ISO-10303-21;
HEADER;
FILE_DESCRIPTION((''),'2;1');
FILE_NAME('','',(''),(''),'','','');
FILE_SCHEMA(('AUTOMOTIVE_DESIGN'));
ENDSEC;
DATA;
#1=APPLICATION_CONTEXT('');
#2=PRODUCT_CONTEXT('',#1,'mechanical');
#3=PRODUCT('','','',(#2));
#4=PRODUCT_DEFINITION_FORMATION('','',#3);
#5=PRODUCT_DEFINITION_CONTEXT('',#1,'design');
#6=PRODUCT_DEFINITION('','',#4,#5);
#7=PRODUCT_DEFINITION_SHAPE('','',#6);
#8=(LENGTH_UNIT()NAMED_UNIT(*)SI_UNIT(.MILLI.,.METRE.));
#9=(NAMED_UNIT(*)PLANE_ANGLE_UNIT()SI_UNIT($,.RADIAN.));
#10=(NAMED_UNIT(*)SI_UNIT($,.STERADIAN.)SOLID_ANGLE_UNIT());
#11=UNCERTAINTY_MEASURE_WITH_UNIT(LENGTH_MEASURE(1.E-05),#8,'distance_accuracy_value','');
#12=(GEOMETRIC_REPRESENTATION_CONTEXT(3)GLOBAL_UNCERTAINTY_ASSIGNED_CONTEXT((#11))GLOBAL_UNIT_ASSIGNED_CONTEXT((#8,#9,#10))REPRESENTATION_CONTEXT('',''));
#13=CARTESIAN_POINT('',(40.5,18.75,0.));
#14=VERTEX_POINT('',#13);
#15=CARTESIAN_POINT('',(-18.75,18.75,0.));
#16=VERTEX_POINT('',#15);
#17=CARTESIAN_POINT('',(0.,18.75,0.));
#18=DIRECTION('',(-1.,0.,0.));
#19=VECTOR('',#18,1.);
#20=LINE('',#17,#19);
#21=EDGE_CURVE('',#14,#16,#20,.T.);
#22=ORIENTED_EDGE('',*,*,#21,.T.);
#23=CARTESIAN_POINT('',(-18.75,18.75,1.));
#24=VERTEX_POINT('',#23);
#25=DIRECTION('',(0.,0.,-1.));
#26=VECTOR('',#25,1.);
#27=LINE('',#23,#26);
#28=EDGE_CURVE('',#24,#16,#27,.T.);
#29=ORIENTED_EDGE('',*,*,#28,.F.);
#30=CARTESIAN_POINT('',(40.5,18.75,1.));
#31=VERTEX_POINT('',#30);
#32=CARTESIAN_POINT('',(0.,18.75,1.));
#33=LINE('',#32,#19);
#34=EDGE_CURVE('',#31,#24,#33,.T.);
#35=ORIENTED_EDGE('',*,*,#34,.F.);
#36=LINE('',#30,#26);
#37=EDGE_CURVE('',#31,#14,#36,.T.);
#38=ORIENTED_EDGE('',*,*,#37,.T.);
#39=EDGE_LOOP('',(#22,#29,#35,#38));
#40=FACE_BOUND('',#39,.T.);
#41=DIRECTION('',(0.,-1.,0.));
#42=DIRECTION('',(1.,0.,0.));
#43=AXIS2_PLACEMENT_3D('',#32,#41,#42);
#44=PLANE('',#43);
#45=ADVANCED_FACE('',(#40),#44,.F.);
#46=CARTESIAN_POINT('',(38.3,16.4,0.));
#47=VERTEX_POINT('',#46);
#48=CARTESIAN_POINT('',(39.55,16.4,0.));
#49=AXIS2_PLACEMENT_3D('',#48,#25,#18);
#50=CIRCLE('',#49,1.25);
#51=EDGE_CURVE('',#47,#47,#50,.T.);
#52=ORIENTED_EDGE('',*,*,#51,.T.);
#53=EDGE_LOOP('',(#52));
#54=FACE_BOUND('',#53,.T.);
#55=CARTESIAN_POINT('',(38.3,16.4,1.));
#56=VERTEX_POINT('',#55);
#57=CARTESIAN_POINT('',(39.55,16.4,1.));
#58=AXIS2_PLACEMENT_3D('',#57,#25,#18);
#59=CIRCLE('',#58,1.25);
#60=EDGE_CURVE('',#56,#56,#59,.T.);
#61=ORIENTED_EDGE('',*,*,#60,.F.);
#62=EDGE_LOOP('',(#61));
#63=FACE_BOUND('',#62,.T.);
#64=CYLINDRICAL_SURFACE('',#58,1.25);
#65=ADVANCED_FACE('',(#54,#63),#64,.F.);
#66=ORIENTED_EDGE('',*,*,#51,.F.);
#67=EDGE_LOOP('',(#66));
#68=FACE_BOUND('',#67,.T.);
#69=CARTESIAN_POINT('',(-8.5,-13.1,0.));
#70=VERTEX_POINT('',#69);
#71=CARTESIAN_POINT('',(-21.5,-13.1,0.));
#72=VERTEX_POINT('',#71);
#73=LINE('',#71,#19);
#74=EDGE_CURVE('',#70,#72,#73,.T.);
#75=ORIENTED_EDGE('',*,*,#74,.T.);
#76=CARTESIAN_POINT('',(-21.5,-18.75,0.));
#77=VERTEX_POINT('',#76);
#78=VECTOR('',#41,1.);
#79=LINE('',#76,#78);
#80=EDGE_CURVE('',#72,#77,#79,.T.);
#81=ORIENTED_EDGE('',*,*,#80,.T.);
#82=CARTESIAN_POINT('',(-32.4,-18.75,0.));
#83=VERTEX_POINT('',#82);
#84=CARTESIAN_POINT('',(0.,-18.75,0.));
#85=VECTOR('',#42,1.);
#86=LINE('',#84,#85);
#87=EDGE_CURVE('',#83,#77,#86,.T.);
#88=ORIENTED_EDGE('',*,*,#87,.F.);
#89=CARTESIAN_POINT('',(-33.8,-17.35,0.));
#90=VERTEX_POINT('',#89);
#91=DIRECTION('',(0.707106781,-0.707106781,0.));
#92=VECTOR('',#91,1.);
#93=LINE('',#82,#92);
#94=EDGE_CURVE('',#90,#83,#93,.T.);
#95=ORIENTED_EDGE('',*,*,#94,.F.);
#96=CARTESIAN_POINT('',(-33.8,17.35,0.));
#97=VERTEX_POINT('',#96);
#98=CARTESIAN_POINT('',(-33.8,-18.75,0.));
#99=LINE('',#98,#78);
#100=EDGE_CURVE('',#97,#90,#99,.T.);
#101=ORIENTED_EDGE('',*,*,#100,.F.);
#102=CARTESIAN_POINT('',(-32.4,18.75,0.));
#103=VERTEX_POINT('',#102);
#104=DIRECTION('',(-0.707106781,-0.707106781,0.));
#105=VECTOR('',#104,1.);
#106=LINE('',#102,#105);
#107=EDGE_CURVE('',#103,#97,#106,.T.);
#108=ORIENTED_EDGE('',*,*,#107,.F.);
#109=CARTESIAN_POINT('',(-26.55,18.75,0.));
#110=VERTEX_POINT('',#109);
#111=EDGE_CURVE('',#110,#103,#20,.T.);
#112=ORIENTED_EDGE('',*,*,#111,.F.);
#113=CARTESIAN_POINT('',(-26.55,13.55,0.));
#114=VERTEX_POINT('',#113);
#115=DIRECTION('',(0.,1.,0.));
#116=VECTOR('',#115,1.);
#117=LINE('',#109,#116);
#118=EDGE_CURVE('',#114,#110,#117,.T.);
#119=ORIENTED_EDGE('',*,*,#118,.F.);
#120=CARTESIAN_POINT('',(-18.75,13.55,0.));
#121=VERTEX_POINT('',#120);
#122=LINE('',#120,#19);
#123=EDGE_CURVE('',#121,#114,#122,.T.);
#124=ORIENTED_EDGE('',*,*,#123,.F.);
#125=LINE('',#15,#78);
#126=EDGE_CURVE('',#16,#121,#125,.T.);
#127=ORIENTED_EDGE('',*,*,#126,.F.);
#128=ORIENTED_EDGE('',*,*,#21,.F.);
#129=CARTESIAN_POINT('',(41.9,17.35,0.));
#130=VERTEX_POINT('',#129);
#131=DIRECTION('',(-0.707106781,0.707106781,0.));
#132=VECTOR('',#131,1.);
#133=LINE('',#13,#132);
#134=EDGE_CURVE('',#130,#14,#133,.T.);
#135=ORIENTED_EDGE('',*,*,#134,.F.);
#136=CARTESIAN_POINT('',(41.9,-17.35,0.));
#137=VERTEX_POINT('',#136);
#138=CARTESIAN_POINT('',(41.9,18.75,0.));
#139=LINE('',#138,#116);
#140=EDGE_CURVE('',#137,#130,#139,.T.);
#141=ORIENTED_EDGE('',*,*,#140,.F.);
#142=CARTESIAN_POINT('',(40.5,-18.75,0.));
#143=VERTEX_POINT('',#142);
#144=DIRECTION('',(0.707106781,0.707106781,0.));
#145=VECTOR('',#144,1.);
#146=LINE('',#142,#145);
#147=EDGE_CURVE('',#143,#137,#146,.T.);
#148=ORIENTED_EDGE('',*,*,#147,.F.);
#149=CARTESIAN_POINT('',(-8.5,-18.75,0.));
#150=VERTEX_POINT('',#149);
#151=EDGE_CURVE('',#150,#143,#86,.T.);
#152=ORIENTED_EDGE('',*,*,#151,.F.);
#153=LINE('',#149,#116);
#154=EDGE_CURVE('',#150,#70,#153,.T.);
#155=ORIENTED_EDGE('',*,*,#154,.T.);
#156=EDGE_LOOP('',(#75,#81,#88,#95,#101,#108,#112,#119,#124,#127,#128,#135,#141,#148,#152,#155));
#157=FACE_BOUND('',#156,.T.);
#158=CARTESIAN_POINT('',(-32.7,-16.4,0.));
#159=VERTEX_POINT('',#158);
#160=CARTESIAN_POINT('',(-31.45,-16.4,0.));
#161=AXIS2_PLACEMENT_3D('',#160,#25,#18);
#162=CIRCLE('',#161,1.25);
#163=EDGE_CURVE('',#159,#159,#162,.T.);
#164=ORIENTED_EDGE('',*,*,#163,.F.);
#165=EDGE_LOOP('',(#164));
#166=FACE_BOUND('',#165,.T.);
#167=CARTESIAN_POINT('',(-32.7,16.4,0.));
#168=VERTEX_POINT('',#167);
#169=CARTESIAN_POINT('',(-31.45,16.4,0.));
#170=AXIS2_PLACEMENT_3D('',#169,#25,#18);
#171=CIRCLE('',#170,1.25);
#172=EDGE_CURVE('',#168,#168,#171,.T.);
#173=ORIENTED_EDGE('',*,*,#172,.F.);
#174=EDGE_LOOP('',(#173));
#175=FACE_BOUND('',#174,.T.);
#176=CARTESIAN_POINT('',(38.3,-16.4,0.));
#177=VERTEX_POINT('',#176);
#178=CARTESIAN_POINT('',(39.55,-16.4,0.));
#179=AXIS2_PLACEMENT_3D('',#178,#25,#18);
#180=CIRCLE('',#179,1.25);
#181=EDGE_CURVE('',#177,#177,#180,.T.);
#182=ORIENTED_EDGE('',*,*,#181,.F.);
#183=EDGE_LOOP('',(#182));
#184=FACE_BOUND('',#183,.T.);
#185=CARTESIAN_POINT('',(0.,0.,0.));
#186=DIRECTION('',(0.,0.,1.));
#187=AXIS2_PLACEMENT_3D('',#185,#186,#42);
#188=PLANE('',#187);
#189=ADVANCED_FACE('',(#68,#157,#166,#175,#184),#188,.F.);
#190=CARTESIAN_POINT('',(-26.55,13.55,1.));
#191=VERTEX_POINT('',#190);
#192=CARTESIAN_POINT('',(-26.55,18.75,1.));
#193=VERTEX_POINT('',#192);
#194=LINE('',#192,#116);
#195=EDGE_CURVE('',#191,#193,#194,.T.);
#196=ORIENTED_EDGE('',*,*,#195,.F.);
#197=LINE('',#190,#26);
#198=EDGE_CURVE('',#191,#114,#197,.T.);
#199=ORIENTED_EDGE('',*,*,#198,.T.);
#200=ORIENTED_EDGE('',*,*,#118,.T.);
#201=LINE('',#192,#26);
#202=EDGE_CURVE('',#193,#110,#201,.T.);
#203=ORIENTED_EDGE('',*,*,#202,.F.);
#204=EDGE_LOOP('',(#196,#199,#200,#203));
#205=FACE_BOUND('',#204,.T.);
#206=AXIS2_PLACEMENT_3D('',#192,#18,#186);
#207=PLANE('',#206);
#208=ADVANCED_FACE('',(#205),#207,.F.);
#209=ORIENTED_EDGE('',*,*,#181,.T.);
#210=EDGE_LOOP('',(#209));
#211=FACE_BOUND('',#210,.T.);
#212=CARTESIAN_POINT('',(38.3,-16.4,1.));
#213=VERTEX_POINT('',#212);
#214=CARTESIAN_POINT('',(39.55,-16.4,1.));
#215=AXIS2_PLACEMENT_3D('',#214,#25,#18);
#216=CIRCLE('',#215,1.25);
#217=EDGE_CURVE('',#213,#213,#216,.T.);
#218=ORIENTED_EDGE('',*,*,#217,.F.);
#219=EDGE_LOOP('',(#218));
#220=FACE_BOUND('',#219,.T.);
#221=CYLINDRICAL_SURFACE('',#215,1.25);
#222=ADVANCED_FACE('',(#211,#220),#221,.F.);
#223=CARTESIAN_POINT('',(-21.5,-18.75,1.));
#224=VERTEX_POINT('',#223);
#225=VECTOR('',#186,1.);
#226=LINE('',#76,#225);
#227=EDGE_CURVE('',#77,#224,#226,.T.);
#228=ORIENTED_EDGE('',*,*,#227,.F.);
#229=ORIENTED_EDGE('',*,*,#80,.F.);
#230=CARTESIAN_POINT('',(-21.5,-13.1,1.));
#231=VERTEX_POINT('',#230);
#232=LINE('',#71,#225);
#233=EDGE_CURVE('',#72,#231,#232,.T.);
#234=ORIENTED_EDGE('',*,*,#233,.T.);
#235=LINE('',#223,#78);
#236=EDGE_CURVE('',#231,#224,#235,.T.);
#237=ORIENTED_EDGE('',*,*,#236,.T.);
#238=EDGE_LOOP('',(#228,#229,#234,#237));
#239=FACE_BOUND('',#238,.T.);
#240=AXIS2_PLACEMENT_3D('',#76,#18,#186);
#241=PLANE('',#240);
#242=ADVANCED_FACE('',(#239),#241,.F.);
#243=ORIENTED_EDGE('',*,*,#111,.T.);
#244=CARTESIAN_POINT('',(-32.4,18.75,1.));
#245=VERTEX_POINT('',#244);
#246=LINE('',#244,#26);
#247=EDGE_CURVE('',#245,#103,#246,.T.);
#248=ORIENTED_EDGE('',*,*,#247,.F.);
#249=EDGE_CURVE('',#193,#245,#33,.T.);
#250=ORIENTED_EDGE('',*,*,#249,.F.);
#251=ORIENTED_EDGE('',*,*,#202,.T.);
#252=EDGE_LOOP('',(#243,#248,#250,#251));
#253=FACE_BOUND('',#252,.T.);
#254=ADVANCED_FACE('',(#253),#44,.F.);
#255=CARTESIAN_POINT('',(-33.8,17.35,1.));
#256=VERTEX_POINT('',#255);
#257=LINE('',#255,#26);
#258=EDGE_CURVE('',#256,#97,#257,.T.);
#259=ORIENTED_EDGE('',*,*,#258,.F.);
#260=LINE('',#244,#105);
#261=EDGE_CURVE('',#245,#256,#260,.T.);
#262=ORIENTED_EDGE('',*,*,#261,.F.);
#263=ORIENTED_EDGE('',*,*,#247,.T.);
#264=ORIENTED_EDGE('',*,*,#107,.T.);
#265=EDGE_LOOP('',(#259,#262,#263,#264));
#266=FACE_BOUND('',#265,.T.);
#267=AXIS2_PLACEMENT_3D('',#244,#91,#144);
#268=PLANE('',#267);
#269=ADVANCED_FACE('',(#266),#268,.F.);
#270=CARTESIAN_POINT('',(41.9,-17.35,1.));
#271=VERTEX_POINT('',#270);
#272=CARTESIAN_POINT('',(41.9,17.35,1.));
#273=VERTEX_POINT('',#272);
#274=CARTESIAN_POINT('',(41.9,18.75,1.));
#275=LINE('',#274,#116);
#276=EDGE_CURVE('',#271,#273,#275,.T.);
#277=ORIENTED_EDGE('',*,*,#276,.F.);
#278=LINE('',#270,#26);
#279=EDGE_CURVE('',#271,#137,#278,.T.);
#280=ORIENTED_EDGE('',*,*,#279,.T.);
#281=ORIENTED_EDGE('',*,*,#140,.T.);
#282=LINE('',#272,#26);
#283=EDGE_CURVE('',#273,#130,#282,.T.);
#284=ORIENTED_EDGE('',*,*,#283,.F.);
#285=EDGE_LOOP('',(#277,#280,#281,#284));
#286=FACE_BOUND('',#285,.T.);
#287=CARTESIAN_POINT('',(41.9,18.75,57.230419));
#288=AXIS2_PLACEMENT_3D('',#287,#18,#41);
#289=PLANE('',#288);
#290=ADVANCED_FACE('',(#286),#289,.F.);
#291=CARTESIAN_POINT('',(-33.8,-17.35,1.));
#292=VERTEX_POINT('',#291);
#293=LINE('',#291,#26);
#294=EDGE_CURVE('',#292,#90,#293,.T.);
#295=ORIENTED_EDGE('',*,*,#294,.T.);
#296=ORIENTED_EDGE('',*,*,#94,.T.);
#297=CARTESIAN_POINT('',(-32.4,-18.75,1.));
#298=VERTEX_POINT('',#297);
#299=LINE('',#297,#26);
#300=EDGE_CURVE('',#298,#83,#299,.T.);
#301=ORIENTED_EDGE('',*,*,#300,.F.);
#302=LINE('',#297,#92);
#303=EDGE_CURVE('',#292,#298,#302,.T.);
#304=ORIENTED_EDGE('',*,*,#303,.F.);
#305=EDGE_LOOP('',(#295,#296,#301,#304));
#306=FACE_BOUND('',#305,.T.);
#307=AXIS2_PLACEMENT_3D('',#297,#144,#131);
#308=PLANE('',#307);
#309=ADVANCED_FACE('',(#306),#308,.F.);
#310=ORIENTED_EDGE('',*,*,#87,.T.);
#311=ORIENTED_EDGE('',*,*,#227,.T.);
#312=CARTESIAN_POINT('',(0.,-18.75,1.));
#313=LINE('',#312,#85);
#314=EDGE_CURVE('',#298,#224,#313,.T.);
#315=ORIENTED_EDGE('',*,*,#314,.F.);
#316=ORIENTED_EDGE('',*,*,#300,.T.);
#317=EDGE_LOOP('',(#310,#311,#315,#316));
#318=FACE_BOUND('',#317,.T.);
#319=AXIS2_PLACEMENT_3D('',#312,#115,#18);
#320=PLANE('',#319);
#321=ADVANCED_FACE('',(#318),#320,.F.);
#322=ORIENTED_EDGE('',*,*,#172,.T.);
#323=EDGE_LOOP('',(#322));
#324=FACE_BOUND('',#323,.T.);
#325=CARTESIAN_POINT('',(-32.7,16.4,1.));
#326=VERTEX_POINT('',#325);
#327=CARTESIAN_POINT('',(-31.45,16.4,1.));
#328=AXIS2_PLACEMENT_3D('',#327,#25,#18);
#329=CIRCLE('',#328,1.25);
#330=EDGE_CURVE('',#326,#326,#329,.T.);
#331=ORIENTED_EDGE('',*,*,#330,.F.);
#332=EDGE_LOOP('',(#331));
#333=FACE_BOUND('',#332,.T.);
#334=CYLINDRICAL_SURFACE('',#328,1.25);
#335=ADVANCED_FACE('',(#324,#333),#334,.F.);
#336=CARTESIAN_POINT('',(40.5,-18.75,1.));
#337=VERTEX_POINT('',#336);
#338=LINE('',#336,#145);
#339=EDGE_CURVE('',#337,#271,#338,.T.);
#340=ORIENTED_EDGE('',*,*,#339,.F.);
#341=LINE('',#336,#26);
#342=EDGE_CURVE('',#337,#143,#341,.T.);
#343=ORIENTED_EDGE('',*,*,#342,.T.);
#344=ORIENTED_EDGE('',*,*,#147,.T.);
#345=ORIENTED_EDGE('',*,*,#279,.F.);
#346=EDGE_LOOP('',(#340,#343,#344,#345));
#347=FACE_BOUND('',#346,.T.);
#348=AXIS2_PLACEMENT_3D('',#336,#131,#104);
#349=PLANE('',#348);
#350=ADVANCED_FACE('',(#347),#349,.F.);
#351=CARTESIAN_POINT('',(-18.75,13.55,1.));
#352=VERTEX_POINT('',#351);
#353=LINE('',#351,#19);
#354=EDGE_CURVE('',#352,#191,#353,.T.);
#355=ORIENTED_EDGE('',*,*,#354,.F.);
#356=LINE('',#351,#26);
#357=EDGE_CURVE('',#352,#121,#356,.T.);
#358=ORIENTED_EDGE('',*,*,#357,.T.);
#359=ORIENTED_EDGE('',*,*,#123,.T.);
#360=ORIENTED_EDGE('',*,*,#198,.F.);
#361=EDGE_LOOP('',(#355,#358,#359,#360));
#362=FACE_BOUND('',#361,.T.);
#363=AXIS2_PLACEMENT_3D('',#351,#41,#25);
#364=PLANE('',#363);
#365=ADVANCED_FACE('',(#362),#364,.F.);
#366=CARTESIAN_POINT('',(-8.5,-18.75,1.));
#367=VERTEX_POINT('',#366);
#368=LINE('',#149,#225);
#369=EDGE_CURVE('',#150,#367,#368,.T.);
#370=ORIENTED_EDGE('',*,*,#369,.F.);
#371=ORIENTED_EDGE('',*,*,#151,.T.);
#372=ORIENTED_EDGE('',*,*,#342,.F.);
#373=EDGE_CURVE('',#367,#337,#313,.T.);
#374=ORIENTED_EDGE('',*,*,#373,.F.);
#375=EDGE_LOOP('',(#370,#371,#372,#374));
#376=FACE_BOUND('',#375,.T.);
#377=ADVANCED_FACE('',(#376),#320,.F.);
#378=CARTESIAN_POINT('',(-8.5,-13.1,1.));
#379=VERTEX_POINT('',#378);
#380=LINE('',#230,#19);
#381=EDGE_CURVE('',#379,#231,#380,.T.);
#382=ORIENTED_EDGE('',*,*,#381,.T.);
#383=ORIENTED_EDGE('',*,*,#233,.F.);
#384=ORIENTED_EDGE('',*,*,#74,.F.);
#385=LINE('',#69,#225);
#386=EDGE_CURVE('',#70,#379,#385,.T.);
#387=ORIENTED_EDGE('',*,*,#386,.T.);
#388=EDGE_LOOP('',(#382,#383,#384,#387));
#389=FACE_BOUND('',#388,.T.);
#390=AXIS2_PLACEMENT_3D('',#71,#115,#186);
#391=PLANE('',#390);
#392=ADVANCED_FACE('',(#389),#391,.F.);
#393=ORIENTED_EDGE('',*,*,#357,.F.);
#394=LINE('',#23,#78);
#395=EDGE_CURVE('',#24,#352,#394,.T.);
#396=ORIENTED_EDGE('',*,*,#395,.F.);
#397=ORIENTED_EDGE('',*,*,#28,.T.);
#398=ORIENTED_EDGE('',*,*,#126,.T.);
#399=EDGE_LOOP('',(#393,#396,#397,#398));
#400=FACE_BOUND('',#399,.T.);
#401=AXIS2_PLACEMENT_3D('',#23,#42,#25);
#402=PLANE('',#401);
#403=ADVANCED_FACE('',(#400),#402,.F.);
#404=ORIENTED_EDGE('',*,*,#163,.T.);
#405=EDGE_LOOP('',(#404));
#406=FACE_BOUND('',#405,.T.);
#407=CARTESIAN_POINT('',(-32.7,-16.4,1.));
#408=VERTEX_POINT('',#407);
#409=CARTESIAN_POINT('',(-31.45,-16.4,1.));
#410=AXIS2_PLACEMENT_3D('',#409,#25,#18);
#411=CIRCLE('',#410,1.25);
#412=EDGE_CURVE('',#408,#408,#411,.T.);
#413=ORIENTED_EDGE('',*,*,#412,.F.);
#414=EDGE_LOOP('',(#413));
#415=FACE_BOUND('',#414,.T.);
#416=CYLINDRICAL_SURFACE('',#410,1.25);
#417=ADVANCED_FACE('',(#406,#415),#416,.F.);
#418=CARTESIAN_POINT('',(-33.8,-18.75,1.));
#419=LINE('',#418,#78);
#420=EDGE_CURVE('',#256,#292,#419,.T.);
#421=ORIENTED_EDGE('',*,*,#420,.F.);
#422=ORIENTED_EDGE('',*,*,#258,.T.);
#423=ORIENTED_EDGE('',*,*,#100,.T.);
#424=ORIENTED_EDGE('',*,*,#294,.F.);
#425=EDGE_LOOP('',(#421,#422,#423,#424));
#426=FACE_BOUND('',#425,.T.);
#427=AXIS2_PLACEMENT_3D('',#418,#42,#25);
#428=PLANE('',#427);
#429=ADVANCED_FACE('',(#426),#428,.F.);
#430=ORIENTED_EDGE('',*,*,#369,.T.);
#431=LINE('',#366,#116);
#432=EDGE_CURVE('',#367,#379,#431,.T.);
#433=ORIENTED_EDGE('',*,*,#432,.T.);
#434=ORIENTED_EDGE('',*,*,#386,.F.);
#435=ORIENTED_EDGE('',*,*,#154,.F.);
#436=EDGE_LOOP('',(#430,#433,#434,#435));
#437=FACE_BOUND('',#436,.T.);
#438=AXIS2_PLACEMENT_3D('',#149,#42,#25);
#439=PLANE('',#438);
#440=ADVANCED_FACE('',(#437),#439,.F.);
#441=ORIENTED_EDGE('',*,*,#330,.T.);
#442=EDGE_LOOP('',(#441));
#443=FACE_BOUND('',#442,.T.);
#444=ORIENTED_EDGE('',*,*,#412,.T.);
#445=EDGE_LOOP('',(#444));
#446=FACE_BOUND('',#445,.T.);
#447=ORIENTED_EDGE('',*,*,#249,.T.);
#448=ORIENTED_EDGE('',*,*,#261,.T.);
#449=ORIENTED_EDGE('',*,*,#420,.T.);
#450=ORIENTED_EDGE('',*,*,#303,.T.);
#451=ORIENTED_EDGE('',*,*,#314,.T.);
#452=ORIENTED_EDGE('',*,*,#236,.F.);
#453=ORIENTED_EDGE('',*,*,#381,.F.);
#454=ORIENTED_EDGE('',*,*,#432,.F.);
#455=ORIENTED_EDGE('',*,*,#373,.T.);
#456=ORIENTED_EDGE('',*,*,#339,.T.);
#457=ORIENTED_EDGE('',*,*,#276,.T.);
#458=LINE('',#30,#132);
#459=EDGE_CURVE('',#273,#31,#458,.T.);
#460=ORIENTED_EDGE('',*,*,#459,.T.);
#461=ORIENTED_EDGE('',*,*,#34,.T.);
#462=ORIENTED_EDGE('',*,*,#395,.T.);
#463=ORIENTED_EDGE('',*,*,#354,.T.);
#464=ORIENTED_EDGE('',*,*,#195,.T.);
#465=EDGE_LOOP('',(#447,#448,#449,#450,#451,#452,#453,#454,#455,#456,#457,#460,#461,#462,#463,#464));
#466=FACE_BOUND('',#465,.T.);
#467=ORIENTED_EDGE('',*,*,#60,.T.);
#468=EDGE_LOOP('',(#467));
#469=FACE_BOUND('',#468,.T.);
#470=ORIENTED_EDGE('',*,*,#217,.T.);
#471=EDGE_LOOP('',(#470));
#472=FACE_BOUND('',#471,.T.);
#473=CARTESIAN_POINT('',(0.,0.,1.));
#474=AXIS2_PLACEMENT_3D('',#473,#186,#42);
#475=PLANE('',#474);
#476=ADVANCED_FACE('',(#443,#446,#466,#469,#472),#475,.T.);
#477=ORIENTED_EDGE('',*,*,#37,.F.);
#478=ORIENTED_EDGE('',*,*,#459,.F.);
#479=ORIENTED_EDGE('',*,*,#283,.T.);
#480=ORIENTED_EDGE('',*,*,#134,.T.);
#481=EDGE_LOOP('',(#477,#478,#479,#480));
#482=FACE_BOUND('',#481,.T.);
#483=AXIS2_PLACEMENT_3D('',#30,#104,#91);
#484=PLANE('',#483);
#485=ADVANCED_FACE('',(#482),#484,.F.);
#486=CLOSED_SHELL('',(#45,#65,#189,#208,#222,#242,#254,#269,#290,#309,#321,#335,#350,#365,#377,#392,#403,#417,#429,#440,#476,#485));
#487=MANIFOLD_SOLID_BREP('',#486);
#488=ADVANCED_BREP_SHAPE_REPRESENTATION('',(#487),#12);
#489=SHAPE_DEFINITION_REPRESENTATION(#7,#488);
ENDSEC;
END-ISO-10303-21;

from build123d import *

# Parameters (mm, degrees)
SKETCH1_W                = 33.8
SKETCH1_H                = 37.5
BOSS_EXTRUDE_NOANT_DEPTH = 1
SKETCH2_W                = 41.9
SKETCH2_H                = 37.5
BOSS_EXTRUDE_ANT_DEPTH   = 1
SKETCH3_R                = 1.25
HOLES_DEPTH              = 46.914839649
CORNERS_DEPTH            = 46.914839649
SKETCH5_W                = 13
SKETCH5_H                = 5.65
CUT_EXTRUDE1_DEPTH       = 46.914839649
SKETCH6_W                = 7.8
SKETCH6_H                = 5.2
CUT_EXTRUDE2_DEPTH       = 46.914839649


with BuildPart() as part:
    # Sketch1 → Boss-Extrude-NoAnt (new body)
    with BuildSketch(Plane.XY):
        with Locations((-16.9, 0)):
            Rectangle(SKETCH1_W, SKETCH1_H)
    extrude(amount=BOSS_EXTRUDE_NOANT_DEPTH)

    # Sketch2 → Boss-Extrude-Ant (add)
    with BuildSketch(Plane.XY):
        with Locations((20.95, 0)):
            Rectangle(SKETCH2_W, SKETCH2_H)
    extrude(amount=BOSS_EXTRUDE_ANT_DEPTH)

    # Sketch3 → Holes (cut, through all)
    with BuildSketch(Plane(origin=(0, 0, 0), x_dir=(-1, 0, 0), z_dir=(0, 0, -1))):
        with Locations((31.45, -16.4)):
            Circle(SKETCH3_R)
        with Locations((-39.55, -16.4)):
            Circle(SKETCH3_R)
        with Locations((-39.55, 16.4)):
            Circle(SKETCH3_R)
        with Locations((31.45, 16.4)):
            Circle(SKETCH3_R)
    extrude(amount=-HOLES_DEPTH, mode=Mode.SUBTRACT)

    # Sketch4 → Corners (cut, through all)
    with BuildSketch(Plane(origin=(0, 0, 0), x_dir=(-1, 0, 0), z_dir=(0, 0, -1))):
        Polygon((-41.9, 18.75), (-40.5, 18.75), (-41.9, 17.35), align=None)
        Polygon((-41.9, -17.35), (-41.9, -18.75), (-40.5, -18.75), align=None)
        Polygon((33.8, -18.75), (32.4, -18.75), (33.8, -17.35), align=None)
        Polygon((33.8, 17.35), (33.8, 18.75), (32.4, 18.75), align=None)
    extrude(amount=-CORNERS_DEPTH, mode=Mode.SUBTRACT)

    # Sketch5 → Cut-Extrude1 (cut, through all)
    with BuildSketch(Plane.XY.offset(1)):
        with Locations((-15, -15.925)):
            Rectangle(SKETCH5_W, SKETCH5_H)
    extrude(amount=-CUT_EXTRUDE1_DEPTH, mode=Mode.SUBTRACT)

    # Sketch6 → Cut-Extrude2 (cut, through all)
    with BuildSketch(Plane(origin=(0, 0, 0), x_dir=(-1, 0, 0), z_dir=(0, 0, -1))):
        with Locations((22.65, 16.15)):
            Rectangle(SKETCH6_W, SKETCH6_H)
    extrude(amount=-CUT_EXTRUDE2_DEPTH, mode=Mode.SUBTRACT)


solid = part.part
